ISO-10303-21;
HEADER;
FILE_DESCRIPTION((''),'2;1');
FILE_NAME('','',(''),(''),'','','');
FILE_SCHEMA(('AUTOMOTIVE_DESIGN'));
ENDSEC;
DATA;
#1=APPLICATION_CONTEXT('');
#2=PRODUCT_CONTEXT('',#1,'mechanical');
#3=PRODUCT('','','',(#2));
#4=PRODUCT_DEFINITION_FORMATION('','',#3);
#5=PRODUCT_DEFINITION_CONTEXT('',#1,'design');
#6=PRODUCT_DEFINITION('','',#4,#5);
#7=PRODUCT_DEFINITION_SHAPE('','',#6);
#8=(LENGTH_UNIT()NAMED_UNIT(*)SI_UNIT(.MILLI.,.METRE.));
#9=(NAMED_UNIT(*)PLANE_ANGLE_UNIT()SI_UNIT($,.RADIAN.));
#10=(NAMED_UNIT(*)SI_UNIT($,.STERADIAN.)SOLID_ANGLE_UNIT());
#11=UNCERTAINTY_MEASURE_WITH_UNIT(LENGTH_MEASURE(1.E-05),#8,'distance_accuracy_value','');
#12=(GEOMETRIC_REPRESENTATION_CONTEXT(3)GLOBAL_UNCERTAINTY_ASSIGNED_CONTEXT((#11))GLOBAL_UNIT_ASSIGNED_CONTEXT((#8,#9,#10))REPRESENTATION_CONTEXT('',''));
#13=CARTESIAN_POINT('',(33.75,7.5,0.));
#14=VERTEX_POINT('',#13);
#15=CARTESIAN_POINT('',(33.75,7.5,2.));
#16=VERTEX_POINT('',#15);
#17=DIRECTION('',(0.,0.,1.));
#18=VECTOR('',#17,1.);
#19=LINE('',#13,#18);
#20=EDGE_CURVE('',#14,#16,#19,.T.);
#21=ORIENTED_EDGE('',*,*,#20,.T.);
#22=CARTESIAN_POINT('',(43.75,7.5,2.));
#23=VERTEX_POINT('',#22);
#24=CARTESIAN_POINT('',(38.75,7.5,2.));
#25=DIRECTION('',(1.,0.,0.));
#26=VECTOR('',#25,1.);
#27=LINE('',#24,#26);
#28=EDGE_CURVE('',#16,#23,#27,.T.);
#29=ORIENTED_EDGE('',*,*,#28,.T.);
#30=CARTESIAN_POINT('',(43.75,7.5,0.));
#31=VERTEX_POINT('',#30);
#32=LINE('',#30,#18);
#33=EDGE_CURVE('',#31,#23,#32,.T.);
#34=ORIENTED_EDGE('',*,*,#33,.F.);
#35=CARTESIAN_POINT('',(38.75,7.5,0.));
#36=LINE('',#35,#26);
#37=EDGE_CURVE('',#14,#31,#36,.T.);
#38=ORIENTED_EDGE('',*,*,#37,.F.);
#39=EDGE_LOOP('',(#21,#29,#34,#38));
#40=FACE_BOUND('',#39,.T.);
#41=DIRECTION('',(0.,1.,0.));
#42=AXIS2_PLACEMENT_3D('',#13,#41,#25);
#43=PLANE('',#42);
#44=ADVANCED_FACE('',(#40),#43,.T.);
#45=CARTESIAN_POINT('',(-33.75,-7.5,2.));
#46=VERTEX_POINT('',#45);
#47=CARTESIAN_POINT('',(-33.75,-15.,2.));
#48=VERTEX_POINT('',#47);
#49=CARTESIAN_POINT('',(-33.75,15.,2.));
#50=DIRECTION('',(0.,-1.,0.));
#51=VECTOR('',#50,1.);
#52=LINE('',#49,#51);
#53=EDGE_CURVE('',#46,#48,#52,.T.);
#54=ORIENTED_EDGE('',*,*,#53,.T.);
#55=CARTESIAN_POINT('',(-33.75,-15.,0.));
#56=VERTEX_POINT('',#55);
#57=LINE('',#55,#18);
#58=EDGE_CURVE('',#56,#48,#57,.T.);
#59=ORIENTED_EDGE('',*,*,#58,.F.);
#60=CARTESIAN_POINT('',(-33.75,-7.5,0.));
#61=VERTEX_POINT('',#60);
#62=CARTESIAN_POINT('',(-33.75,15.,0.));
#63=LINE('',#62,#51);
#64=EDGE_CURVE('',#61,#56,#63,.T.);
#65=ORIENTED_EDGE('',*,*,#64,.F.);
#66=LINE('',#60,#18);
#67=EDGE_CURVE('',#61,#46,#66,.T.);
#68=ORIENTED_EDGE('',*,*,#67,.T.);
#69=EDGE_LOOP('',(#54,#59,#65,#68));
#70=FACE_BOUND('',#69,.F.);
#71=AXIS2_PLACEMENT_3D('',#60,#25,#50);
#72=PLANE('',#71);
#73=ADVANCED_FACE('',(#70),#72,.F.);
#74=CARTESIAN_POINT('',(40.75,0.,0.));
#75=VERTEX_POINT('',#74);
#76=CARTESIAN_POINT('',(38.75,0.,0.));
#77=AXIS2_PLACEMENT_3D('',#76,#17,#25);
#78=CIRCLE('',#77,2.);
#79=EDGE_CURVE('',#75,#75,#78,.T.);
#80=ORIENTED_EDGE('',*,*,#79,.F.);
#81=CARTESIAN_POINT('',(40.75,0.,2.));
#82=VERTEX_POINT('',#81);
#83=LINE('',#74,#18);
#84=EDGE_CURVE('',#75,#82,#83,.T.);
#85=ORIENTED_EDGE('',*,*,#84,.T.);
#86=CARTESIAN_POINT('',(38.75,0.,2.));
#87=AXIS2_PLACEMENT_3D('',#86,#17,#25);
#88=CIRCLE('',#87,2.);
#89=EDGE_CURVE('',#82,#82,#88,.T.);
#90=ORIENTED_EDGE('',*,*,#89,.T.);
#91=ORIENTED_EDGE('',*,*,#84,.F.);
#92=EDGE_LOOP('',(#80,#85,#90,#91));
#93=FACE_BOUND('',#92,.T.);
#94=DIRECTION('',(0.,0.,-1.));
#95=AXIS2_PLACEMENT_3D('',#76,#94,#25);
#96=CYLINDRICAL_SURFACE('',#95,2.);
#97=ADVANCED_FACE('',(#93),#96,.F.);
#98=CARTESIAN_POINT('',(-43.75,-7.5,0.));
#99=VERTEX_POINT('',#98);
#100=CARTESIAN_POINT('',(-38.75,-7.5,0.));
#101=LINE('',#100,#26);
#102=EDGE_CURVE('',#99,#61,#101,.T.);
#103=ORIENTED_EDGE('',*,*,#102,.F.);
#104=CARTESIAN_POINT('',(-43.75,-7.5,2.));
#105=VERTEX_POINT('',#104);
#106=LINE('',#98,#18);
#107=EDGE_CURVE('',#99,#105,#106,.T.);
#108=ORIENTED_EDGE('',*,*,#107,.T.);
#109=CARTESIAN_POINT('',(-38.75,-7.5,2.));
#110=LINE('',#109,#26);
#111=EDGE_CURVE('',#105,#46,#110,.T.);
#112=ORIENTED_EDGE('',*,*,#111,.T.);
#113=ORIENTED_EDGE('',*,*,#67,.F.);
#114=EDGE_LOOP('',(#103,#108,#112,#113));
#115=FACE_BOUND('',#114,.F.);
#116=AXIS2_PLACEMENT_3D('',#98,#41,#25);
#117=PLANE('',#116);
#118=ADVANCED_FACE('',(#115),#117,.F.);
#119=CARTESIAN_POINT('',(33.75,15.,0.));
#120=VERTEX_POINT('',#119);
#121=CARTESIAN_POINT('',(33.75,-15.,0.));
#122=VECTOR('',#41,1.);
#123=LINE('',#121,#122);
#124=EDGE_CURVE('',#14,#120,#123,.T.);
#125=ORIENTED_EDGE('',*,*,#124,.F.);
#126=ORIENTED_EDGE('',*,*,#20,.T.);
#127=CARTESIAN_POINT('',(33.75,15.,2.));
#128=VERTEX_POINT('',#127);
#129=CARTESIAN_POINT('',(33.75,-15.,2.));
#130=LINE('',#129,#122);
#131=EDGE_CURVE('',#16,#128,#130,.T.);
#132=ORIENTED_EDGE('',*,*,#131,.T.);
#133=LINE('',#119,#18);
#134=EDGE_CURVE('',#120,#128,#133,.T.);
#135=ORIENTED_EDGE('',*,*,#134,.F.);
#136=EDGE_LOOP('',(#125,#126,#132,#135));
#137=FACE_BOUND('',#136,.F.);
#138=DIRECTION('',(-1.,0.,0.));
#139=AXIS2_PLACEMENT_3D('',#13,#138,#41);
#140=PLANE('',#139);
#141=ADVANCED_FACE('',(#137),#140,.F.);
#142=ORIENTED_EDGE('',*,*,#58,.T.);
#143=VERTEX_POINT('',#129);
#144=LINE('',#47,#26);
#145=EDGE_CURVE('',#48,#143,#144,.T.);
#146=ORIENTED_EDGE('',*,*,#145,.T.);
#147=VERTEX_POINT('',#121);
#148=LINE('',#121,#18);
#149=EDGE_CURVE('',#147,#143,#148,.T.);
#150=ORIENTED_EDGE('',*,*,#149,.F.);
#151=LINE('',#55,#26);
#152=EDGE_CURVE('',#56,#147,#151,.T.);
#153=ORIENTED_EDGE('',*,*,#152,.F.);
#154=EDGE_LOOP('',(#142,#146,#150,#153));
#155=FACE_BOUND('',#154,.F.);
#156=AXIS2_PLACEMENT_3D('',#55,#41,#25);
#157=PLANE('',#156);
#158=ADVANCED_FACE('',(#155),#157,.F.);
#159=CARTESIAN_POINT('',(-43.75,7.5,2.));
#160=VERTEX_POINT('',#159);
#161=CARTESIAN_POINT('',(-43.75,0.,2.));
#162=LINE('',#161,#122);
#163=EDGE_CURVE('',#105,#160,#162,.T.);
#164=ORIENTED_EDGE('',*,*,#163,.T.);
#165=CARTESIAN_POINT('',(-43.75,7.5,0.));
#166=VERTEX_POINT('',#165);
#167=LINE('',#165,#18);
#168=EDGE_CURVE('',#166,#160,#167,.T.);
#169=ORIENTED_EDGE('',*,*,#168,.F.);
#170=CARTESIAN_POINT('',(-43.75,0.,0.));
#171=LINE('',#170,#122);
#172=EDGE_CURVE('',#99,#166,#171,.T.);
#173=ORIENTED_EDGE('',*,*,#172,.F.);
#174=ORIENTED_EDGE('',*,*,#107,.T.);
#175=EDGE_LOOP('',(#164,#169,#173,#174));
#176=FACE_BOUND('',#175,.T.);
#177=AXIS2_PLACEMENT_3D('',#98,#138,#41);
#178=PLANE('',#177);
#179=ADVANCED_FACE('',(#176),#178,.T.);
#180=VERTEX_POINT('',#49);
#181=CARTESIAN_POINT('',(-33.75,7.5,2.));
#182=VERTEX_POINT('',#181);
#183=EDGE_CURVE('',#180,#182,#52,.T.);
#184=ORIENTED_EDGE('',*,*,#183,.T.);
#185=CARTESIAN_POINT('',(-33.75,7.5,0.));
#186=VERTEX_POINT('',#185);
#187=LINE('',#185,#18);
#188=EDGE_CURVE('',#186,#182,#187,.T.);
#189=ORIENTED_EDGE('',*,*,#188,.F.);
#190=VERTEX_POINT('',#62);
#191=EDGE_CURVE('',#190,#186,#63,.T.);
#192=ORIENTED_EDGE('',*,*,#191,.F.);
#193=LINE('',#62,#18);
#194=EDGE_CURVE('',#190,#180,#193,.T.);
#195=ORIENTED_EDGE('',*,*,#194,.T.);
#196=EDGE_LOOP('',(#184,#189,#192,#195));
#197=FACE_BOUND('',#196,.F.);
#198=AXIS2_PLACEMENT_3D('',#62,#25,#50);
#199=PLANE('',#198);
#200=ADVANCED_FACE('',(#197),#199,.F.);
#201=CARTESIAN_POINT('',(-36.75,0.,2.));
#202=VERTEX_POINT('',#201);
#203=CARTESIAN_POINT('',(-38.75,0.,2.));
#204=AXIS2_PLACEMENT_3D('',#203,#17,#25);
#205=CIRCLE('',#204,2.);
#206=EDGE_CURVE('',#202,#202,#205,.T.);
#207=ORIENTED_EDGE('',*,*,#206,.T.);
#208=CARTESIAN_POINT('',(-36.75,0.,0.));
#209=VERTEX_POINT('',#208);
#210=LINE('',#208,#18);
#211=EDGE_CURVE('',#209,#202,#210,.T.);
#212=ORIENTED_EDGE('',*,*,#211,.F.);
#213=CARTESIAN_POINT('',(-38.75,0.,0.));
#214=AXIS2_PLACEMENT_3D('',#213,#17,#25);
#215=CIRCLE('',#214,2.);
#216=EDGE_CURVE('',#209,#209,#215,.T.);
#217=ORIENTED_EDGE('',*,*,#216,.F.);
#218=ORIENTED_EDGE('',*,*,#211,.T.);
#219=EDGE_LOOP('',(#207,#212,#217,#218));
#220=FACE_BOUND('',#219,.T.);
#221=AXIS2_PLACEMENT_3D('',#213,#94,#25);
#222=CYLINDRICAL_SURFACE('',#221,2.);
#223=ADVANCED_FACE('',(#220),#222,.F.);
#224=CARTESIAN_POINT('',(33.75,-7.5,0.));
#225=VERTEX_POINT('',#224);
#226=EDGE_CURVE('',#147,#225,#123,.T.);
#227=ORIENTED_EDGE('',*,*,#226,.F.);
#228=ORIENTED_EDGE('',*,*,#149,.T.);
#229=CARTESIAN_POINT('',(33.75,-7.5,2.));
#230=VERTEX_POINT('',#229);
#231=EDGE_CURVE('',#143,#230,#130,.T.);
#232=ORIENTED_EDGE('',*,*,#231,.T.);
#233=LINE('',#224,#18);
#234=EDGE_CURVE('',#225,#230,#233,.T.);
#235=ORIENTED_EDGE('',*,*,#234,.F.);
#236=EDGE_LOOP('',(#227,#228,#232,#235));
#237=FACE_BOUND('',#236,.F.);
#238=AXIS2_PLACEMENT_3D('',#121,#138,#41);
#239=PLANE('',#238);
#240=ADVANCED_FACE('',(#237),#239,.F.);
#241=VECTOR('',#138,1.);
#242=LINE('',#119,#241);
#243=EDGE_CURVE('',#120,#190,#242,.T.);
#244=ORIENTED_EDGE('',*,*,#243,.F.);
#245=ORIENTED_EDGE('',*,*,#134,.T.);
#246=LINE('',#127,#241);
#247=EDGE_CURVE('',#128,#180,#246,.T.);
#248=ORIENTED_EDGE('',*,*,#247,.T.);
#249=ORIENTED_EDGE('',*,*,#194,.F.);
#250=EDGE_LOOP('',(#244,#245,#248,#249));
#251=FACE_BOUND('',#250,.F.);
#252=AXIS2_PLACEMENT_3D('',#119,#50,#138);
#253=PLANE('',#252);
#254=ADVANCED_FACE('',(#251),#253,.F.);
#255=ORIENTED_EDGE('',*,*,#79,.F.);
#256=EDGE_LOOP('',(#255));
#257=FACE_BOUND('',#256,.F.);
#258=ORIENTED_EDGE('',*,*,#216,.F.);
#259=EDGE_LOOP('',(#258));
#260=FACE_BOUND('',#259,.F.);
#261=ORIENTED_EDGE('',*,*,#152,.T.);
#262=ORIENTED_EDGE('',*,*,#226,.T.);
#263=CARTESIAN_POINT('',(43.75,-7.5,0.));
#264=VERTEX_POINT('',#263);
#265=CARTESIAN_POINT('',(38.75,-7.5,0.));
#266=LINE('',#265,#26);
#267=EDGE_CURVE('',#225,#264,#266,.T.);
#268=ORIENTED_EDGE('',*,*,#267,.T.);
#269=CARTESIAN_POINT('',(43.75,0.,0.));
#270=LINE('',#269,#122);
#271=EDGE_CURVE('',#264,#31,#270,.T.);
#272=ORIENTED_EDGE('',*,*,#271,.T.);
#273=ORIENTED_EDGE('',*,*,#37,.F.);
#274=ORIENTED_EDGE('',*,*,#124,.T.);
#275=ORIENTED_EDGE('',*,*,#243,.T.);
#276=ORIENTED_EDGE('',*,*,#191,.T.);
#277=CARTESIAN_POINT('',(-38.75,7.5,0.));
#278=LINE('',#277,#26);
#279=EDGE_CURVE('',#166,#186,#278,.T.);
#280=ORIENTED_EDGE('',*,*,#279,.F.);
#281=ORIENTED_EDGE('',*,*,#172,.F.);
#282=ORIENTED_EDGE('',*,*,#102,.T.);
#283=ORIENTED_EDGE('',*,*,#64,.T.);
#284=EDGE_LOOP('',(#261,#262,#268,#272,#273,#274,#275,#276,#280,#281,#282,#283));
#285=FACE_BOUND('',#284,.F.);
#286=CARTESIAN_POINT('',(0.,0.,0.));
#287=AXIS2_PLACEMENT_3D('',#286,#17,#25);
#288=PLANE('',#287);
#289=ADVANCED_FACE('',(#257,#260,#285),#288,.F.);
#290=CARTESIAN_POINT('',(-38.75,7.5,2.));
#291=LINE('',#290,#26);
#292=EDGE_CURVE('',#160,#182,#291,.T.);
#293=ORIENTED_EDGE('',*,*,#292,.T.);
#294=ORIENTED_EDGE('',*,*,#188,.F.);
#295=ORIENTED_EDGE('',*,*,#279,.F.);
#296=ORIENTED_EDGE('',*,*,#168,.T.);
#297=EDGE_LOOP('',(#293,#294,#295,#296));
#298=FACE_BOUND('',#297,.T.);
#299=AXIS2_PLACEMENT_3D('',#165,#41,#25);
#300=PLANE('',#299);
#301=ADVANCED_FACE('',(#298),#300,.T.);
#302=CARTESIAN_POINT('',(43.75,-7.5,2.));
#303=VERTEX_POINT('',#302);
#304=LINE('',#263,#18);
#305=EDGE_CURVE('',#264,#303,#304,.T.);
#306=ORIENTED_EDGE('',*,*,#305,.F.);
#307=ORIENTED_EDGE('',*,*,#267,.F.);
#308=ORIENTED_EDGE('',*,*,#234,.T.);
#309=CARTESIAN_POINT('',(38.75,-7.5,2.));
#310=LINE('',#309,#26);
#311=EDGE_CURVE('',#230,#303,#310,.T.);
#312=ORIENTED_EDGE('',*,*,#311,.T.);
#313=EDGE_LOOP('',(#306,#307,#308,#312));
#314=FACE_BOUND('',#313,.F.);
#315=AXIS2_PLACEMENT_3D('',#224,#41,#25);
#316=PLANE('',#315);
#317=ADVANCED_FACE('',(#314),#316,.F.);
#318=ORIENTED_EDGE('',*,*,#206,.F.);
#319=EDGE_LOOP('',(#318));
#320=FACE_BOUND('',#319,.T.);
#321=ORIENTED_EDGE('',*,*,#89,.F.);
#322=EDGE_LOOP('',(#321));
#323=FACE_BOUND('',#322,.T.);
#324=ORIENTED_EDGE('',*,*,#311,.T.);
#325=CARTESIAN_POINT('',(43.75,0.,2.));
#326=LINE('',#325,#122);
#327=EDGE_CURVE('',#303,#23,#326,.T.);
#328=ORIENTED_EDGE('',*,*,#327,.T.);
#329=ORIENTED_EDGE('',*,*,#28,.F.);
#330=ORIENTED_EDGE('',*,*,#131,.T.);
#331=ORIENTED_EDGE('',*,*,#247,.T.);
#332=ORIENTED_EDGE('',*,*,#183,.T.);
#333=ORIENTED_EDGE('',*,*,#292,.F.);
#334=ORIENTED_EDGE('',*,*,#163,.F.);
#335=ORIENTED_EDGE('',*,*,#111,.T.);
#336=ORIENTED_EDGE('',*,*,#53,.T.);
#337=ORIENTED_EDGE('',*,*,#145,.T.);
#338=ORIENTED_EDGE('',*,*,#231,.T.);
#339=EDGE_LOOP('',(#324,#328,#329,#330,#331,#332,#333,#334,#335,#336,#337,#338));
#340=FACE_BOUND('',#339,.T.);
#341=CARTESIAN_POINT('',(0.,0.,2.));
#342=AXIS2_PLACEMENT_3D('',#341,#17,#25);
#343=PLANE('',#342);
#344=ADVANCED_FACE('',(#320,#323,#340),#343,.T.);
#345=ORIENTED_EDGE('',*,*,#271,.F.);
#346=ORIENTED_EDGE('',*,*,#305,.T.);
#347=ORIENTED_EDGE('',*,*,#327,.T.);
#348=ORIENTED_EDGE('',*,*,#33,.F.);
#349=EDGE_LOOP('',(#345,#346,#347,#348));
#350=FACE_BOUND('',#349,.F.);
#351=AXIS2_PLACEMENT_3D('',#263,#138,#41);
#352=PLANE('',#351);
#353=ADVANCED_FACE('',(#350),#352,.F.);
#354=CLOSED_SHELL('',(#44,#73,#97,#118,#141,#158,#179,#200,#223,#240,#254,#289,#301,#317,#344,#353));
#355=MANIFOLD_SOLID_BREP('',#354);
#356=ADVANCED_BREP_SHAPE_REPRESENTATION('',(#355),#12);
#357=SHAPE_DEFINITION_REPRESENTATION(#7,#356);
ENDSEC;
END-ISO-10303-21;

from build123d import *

# Parameters (mm, degrees)
F0_W     = 10
F0_H     = 15
F0_R     = 2
F1_DEPTH = 2


with BuildPart() as f1:
    # F0 (on Top) → F1 (new body)
    with BuildSketch(Plane.XY):
        Polygon((-33.75, -15), (33.75, -15), (33.75, -7.5), (33.75, 7.5), (33.75, 15), (-33.75, 15), (-33.75, 7.5), (-33.75, -7.5), align=None)
        with Locations((-38.75, 0)):
            Rectangle(F0_W, F0_H)
        with Locations((-38.75, 0)):
            Circle(F0_R, mode=Mode.SUBTRACT)
        with Locations((38.75, 0)):
            Rectangle(F0_W, F0_H)
        with Locations((38.75, 0)):
            Circle(F0_R, mode=Mode.SUBTRACT)
    extrude(amount=F1_DEPTH)


solid = f1.part
